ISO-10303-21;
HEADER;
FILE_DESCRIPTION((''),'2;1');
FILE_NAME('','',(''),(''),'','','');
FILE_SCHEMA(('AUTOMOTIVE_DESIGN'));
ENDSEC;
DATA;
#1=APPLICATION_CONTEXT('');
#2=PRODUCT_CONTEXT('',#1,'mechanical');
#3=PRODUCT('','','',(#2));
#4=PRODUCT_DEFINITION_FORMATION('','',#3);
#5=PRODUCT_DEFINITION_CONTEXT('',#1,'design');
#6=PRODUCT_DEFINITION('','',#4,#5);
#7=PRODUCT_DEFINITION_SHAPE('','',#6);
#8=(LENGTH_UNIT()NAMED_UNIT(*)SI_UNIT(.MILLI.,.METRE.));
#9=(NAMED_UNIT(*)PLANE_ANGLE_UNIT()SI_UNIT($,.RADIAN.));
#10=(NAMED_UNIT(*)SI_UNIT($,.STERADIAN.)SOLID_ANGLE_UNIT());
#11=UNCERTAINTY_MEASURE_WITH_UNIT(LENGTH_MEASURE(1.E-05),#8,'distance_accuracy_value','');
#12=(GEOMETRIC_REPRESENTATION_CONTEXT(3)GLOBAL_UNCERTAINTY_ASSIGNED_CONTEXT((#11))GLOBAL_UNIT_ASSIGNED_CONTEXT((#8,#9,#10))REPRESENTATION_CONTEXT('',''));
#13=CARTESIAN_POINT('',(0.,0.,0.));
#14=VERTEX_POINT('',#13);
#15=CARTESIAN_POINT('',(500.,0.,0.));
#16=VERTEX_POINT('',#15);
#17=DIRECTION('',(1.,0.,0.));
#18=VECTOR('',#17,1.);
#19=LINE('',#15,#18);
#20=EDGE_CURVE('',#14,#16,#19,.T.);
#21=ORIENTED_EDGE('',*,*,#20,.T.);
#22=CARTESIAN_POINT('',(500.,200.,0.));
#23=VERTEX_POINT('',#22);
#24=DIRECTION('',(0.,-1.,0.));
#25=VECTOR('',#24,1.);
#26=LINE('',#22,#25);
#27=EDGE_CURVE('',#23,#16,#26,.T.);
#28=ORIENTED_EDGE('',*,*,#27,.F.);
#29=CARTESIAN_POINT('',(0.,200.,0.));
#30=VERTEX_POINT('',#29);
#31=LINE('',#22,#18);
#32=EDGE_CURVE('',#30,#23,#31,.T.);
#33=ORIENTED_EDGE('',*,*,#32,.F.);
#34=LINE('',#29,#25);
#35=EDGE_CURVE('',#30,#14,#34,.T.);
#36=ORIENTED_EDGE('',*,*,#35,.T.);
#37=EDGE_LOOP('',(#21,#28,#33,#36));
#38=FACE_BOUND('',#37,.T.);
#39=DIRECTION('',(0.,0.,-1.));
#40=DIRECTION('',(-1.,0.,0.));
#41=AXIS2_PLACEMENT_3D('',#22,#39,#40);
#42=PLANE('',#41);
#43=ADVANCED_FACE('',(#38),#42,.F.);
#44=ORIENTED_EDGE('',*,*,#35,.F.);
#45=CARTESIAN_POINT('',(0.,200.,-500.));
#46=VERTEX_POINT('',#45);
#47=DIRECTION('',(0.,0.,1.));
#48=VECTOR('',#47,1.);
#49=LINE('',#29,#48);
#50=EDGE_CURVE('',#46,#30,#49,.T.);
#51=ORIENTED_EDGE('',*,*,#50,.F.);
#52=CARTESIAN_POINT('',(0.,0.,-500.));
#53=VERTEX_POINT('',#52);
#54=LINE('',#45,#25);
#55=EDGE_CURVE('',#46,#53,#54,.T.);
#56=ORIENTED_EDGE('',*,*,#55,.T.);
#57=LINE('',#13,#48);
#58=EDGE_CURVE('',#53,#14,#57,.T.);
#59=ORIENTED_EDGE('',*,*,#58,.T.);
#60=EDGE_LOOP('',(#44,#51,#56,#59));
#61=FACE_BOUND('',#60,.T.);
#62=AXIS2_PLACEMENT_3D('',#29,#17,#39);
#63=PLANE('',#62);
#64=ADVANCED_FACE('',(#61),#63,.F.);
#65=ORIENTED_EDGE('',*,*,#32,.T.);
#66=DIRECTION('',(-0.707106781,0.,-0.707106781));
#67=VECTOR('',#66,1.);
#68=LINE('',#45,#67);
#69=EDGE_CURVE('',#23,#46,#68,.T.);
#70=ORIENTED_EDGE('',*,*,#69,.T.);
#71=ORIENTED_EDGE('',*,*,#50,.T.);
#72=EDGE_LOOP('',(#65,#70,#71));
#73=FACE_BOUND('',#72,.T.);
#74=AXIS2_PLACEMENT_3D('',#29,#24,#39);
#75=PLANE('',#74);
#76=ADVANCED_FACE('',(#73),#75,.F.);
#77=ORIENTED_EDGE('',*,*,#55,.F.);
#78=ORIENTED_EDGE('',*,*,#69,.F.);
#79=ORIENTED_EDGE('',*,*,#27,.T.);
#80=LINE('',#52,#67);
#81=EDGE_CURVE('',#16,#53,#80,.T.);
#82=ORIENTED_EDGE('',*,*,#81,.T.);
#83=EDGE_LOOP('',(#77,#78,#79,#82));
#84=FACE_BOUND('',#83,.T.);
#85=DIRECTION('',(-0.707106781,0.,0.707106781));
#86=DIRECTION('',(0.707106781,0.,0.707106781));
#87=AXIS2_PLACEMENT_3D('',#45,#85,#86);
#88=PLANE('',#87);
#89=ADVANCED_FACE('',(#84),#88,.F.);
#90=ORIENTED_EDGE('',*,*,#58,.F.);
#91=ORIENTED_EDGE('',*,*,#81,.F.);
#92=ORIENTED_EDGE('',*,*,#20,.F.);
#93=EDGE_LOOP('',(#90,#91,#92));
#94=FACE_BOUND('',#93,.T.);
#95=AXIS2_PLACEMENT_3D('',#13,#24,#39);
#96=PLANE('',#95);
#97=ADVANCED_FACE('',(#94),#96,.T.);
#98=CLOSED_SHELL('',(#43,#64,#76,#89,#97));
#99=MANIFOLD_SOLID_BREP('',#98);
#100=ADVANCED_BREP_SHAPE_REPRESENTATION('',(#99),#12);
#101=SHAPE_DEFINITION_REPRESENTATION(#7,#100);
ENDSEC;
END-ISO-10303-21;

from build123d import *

# Parameters (mm, degrees)
SALIENTE_EXTRUIR1_DEPTH = 200


with BuildPart() as part:
    # Croquis1 → Saliente-Extruir1 (new body)
    with BuildSketch(Plane(origin=(0, 0, 0), x_dir=(1, 0, 0), z_dir=(0, 1, 0))):
        Polygon((0, 0), (0, 500), (500, 0), align=None)
    extrude(amount=SALIENTE_EXTRUIR1_DEPTH)


solid = part.part
